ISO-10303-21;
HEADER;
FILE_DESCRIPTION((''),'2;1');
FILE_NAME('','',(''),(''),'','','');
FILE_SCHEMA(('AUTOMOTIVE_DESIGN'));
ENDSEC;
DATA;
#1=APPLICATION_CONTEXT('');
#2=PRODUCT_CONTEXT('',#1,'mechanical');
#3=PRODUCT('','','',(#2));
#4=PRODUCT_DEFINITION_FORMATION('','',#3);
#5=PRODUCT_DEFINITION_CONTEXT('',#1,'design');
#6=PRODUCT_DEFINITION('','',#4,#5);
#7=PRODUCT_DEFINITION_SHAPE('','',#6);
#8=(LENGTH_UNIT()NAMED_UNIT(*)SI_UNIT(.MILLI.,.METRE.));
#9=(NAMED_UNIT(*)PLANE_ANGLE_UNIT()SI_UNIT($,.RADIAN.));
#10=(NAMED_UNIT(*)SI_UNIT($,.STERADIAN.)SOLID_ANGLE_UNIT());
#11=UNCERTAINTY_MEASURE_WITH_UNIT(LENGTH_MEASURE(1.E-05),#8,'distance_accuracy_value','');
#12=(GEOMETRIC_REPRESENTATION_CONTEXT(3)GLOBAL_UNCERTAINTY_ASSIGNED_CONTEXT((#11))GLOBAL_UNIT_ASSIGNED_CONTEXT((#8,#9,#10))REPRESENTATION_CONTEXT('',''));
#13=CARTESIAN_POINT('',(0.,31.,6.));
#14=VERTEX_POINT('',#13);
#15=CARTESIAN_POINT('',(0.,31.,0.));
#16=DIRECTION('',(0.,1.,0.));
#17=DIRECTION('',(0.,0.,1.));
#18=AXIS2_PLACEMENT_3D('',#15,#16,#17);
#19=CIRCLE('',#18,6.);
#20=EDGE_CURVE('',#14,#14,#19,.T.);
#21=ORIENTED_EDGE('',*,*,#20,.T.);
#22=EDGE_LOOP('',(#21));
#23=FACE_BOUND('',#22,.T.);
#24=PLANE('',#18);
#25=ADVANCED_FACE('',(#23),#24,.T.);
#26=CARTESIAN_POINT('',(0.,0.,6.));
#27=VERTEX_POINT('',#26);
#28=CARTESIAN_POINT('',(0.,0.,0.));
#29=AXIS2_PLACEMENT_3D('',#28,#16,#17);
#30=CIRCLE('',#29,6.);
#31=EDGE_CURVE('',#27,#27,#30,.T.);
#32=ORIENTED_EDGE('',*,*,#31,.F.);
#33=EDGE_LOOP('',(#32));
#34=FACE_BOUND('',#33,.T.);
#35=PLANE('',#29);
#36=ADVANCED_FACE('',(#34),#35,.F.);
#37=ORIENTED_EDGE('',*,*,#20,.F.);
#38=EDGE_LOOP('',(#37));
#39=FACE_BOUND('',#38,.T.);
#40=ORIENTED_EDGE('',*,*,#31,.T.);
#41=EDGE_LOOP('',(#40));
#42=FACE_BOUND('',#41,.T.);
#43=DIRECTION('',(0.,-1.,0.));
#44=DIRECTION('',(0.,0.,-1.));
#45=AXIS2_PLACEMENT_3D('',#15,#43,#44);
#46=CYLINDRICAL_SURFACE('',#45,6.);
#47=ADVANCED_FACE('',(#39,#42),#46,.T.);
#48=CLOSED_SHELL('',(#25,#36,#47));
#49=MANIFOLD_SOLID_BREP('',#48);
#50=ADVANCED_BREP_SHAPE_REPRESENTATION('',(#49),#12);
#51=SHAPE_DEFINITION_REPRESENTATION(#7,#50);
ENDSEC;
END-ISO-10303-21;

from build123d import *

# Parameters (mm, degrees)
SKETCH1_R           = 6
BOSS_EXTRUDE1_DEPTH = 31


with BuildPart() as part:
    # Sketch1 → Boss-Extrude1 (new body)
    with BuildSketch(Plane(origin=(0, 0, 0), x_dir=(1, 0, 0), z_dir=(0, 1, 0))):
        Circle(SKETCH1_R)
    extrude(amount=BOSS_EXTRUDE1_DEPTH)


solid = part.part
